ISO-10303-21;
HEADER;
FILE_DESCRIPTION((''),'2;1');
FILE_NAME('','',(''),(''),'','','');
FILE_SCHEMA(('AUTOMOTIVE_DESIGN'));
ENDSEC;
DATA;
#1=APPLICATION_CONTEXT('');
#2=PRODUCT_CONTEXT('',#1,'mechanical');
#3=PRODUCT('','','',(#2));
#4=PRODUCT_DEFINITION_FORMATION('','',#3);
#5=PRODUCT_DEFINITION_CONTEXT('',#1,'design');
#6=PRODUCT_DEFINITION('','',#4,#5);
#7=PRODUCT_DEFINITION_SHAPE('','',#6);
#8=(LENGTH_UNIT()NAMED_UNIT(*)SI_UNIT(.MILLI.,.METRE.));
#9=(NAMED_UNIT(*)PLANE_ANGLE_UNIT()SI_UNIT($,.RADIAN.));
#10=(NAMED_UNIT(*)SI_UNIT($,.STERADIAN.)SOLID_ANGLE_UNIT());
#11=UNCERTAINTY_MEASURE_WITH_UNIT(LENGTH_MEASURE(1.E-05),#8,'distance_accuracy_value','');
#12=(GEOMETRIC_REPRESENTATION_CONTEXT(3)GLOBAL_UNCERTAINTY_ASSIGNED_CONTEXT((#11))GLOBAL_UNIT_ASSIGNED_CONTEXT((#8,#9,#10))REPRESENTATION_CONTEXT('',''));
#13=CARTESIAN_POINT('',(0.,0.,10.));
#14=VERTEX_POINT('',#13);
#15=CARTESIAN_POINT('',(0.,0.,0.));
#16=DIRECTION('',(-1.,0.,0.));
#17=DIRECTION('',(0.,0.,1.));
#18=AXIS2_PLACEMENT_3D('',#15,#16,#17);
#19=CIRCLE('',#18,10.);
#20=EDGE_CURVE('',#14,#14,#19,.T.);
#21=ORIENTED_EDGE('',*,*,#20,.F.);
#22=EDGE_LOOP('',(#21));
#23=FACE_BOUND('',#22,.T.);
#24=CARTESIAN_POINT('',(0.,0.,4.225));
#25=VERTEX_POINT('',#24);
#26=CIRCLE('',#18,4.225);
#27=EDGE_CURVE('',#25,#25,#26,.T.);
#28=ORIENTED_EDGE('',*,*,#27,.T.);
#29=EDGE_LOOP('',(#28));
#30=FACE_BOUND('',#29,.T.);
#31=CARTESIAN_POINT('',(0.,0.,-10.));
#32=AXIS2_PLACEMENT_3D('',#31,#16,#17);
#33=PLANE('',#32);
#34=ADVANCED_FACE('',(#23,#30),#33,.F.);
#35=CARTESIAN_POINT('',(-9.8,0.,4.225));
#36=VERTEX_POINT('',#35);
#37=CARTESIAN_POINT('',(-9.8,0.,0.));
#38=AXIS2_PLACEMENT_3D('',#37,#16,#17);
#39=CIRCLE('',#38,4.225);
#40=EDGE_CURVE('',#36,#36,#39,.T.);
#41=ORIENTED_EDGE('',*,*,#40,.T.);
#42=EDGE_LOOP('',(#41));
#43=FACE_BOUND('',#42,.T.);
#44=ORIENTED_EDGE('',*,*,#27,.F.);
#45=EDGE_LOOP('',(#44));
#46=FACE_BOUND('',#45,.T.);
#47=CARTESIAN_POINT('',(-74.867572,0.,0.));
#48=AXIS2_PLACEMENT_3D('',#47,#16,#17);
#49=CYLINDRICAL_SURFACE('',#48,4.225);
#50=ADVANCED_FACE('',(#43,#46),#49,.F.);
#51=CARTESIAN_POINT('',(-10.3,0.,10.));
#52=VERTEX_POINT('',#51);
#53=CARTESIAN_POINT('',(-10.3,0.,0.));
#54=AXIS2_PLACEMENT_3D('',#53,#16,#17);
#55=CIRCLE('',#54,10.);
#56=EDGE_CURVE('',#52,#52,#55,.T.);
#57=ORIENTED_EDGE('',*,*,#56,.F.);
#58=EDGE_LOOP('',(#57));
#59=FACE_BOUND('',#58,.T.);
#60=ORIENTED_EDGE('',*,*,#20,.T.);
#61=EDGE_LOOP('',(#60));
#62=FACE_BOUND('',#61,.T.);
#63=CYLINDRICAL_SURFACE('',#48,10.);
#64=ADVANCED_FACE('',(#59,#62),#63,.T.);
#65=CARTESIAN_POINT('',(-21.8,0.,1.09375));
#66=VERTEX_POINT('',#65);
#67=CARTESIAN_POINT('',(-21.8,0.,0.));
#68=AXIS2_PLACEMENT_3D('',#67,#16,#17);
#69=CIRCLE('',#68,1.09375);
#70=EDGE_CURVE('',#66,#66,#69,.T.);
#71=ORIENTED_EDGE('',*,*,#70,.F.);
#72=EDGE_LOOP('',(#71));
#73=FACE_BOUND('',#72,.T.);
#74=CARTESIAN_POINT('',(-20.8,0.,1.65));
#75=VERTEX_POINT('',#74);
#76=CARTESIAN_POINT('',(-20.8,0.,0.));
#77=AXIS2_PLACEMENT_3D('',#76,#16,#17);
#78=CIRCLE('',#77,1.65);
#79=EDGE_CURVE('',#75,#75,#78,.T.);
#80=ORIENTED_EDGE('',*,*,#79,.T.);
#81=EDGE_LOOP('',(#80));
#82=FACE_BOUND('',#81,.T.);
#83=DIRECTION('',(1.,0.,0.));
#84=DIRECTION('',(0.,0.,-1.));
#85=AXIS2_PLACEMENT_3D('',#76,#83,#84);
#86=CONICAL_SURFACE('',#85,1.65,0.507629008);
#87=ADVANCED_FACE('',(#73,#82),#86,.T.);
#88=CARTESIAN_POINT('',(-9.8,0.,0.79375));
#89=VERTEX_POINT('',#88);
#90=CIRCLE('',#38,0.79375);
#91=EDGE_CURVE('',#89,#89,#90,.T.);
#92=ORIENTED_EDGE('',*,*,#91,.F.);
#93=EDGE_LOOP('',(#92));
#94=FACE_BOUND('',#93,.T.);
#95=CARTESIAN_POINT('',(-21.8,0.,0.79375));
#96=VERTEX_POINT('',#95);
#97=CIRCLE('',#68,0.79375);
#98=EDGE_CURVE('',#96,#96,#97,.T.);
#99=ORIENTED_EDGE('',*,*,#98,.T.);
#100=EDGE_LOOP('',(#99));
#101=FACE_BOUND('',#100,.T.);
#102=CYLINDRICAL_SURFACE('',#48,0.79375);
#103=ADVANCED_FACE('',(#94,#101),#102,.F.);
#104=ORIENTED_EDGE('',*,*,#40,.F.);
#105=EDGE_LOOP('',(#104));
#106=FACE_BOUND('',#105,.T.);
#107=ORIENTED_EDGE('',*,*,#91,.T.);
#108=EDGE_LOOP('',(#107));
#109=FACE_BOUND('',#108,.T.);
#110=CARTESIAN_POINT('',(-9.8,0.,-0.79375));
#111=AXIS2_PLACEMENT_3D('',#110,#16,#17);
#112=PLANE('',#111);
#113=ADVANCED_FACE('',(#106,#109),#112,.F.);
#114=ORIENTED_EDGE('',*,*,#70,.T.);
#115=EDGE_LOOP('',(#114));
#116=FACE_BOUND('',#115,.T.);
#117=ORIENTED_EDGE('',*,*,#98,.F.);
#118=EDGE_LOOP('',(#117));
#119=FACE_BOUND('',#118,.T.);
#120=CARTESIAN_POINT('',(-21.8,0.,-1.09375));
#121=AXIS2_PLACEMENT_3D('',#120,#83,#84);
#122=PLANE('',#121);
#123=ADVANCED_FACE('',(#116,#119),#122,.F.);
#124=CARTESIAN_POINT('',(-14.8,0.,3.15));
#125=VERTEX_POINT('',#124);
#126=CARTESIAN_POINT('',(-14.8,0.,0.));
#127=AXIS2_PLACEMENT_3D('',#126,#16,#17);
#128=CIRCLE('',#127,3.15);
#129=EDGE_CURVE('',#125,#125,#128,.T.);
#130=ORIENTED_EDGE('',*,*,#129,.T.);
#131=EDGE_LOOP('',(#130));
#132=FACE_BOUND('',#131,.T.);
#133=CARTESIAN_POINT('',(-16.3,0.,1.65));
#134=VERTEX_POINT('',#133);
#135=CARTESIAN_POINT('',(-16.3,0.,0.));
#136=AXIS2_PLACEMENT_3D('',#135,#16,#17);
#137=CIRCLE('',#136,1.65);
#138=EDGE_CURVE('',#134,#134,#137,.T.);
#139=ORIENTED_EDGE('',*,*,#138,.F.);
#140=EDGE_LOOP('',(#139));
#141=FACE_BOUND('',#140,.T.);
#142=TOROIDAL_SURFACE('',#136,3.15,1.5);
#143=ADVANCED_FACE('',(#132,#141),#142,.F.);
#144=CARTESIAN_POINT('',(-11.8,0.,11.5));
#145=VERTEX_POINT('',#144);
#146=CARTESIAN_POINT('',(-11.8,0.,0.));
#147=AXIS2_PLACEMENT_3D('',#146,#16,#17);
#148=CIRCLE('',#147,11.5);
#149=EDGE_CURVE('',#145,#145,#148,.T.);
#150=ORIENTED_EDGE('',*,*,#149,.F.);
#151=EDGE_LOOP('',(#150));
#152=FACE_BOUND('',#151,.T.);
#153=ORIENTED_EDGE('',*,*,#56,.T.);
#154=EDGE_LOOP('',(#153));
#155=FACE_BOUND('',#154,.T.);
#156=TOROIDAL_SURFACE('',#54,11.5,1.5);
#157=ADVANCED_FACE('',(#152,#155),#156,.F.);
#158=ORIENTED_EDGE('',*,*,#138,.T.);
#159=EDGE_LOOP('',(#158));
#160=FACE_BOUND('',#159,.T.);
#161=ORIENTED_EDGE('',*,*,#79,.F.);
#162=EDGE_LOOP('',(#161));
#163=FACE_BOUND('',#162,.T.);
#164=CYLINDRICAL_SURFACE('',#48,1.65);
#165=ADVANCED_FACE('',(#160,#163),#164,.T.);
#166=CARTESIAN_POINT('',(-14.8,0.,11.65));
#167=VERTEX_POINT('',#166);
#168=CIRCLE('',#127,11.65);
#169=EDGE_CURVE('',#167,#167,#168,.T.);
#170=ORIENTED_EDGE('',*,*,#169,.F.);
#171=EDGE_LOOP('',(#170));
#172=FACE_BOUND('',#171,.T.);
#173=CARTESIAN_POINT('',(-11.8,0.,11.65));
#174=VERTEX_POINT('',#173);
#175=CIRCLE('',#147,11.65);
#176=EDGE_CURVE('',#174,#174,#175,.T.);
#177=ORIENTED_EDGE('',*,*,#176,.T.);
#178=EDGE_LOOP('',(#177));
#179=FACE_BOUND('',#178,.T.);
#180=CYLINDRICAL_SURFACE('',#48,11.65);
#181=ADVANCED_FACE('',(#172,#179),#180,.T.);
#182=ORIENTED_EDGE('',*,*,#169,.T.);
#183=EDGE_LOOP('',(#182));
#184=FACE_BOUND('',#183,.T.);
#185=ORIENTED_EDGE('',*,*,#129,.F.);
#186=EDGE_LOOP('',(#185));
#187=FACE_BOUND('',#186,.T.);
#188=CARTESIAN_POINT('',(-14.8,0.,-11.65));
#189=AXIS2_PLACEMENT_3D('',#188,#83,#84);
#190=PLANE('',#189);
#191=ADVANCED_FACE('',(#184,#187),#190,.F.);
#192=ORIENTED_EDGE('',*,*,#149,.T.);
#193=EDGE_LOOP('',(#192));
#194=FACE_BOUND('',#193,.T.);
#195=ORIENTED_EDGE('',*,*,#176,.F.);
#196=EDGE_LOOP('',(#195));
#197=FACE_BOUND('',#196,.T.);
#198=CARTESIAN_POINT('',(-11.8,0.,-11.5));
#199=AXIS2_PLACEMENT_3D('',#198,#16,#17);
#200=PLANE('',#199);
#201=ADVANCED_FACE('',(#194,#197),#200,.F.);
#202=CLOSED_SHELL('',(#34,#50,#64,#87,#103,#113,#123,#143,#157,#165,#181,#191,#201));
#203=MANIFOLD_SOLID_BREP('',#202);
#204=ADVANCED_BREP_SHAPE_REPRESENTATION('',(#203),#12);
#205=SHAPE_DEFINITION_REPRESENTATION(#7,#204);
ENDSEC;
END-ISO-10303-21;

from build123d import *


with BuildPart() as part:
    # Sketch1 → Revolve1 (revolve)
    with BuildSketch(Plane(origin=(0, 0, 0), x_dir=(1, 0, 0), z_dir=(0, 1, 0))):
        with BuildLine():
            Line((-14.8, 11.65), (-14.8, 3.15))
            ThreePointArc((-14.8, 3.15), (-15.239339828, 2.089339828), (-16.3, 1.65))
            Line((-16.3, 1.65), (-20.8, 1.65))
            Line((-20.8, 1.65), (-21.8, 1.09375))
            Line((-21.8, 1.09375), (-21.8, 0.79375))
            Line((-21.8, 0.79375), (-9.8, 0.79375))
            Line((-9.8, 0.79375), (-9.8, 4.225))
            Line((-9.8, 4.225), (0, 4.225))
            Line((0, 4.225), (0, 10))
            Line((0, 10), (-10.3, 10))
            ThreePointArc((-10.3, 10), (-11.360660172, 10.439339828), (-11.8, 11.5))
            Line((-11.8, 11.5), (-11.8, 11.65))
            Line((-11.8, 11.65), (-14.8, 11.65))
        make_face()
    revolve(axis=Axis((-74.867571618, 0, 0), (1, 0, 0)))


solid = part.part
